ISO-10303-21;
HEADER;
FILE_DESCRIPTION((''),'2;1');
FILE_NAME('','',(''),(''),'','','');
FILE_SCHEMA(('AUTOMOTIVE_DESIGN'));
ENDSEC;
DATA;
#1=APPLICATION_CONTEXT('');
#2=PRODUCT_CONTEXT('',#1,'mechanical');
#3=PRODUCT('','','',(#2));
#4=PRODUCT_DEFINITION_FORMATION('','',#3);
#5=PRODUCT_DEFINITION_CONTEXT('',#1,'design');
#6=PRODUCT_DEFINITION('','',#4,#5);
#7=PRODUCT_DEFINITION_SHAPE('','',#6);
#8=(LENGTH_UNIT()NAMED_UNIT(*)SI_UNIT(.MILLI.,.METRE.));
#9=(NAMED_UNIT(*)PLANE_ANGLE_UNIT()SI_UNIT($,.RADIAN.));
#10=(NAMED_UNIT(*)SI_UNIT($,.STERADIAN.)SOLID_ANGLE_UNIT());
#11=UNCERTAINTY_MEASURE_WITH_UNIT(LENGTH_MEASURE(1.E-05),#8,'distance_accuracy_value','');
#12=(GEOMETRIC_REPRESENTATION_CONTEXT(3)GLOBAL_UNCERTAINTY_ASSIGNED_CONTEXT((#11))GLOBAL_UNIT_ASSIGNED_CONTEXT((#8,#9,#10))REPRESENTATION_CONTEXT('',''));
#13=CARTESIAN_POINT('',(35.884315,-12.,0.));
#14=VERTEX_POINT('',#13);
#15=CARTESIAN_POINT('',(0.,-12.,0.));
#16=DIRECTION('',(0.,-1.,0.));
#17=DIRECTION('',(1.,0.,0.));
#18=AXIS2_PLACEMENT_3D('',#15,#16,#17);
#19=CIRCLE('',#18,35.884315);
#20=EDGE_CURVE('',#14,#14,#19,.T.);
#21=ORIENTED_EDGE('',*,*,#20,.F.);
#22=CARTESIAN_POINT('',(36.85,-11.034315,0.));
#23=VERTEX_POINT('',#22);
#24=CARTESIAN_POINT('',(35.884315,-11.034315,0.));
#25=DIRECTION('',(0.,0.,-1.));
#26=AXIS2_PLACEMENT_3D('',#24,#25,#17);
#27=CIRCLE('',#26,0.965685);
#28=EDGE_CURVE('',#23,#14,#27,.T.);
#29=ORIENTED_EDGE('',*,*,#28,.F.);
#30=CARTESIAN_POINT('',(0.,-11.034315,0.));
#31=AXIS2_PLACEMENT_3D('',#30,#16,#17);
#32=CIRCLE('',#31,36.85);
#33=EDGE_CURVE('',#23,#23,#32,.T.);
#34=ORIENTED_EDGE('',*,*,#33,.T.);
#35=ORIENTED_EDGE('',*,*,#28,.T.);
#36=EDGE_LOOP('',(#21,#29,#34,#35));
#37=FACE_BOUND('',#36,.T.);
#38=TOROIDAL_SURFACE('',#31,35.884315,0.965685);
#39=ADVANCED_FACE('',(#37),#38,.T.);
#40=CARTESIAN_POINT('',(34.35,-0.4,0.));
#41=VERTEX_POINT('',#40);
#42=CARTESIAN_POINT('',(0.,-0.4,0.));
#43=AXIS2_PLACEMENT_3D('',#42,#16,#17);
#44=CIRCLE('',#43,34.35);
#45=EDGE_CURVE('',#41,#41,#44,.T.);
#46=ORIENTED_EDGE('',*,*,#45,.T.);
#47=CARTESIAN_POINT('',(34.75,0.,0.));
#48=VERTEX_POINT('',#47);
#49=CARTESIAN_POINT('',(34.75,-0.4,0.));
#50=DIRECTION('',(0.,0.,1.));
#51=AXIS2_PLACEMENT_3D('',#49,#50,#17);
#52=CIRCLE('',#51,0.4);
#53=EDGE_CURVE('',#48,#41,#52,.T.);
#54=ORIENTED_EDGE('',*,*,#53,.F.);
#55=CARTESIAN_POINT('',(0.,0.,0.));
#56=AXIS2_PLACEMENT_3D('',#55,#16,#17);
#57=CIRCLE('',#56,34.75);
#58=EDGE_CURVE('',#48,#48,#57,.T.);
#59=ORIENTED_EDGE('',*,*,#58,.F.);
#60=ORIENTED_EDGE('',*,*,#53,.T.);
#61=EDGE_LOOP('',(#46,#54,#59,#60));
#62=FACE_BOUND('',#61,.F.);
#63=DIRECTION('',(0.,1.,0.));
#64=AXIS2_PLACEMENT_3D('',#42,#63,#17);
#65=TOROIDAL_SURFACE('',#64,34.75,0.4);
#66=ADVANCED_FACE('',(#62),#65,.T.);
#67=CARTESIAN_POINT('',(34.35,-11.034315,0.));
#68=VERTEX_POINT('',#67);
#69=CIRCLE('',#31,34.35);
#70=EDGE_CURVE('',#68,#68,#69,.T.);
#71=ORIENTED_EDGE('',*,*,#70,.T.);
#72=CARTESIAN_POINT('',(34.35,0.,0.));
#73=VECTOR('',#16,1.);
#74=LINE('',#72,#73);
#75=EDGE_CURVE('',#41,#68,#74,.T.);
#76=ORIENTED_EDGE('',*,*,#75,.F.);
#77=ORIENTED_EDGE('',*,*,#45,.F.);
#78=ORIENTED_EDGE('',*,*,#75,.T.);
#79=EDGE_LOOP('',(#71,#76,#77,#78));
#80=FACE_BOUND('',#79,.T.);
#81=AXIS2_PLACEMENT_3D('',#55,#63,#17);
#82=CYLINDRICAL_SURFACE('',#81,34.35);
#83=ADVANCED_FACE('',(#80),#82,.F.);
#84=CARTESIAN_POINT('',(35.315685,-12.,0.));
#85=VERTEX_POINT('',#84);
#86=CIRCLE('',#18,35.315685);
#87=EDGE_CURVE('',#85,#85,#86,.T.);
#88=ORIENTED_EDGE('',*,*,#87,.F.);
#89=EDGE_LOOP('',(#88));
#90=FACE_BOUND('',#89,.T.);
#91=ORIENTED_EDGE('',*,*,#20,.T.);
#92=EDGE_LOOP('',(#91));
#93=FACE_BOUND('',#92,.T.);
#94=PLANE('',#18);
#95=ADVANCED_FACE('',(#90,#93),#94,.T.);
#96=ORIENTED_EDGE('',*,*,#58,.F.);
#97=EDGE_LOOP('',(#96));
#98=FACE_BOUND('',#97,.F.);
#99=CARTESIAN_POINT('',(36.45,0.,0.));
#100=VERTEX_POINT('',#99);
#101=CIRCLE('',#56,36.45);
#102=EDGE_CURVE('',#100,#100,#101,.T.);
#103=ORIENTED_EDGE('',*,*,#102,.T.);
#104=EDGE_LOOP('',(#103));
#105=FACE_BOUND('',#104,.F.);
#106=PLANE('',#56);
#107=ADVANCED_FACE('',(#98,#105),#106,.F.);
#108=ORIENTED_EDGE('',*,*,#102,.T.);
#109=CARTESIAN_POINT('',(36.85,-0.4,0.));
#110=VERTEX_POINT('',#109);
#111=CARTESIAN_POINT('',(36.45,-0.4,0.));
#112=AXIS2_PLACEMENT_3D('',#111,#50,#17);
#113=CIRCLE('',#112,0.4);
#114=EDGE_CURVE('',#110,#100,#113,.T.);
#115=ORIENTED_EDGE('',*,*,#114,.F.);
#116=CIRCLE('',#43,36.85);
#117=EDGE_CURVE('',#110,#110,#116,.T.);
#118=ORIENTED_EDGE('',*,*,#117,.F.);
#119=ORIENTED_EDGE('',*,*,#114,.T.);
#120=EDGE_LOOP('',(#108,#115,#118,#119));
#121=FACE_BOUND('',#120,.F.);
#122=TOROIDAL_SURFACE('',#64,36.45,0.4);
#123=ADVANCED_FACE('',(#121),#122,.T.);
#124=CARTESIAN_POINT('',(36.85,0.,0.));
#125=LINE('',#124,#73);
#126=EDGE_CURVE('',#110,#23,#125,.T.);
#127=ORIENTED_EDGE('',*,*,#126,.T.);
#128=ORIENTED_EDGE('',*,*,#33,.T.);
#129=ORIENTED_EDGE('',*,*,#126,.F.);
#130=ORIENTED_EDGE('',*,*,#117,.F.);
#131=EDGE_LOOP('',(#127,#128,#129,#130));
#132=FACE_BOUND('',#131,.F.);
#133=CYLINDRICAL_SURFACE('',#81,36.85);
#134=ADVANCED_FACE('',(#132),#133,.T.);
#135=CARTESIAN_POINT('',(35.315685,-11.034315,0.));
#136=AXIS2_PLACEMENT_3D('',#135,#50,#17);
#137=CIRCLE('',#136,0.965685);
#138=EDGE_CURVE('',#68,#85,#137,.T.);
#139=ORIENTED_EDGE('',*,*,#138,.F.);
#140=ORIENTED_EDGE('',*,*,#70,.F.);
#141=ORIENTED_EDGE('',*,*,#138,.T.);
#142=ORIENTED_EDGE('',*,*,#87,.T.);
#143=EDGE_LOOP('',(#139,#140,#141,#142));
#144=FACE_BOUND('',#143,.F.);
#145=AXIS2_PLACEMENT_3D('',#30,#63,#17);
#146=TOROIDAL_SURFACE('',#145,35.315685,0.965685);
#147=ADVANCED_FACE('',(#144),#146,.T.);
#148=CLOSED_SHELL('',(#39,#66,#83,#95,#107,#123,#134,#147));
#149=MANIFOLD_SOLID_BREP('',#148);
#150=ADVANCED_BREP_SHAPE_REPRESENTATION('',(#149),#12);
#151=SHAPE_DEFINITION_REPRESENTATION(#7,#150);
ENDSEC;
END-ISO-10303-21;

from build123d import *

# Parameters (mm, degrees)
F0_R     = 36.85
F0_R_2   = 34.35
F1_DEPTH = 12
F2_R     = 0.965685
F3_R     = 0.4


with BuildPart() as f1:
    # F0 (on Front) → F1 (new body)
    with BuildSketch(Plane.XZ):
        Circle(F0_R)
        Circle(F0_R_2, mode=Mode.SUBTRACT)
    extrude(amount=F1_DEPTH)

    # F2
    f2_edges = [f1.edges().sort_by_distance(p)[0] for p in [
        (-34.35, -12, 0),
        (-36.85, -12, 0),
    ]]
    fillet(f2_edges, radius=F2_R)

    # F3
    f3_edges = [f1.edges().sort_by_distance(p)[0] for p in [
        (-34.35, 0, 0),
        (-36.85, 0, 0),
    ]]
    fillet(f3_edges, radius=F3_R)


solid = f1.part
